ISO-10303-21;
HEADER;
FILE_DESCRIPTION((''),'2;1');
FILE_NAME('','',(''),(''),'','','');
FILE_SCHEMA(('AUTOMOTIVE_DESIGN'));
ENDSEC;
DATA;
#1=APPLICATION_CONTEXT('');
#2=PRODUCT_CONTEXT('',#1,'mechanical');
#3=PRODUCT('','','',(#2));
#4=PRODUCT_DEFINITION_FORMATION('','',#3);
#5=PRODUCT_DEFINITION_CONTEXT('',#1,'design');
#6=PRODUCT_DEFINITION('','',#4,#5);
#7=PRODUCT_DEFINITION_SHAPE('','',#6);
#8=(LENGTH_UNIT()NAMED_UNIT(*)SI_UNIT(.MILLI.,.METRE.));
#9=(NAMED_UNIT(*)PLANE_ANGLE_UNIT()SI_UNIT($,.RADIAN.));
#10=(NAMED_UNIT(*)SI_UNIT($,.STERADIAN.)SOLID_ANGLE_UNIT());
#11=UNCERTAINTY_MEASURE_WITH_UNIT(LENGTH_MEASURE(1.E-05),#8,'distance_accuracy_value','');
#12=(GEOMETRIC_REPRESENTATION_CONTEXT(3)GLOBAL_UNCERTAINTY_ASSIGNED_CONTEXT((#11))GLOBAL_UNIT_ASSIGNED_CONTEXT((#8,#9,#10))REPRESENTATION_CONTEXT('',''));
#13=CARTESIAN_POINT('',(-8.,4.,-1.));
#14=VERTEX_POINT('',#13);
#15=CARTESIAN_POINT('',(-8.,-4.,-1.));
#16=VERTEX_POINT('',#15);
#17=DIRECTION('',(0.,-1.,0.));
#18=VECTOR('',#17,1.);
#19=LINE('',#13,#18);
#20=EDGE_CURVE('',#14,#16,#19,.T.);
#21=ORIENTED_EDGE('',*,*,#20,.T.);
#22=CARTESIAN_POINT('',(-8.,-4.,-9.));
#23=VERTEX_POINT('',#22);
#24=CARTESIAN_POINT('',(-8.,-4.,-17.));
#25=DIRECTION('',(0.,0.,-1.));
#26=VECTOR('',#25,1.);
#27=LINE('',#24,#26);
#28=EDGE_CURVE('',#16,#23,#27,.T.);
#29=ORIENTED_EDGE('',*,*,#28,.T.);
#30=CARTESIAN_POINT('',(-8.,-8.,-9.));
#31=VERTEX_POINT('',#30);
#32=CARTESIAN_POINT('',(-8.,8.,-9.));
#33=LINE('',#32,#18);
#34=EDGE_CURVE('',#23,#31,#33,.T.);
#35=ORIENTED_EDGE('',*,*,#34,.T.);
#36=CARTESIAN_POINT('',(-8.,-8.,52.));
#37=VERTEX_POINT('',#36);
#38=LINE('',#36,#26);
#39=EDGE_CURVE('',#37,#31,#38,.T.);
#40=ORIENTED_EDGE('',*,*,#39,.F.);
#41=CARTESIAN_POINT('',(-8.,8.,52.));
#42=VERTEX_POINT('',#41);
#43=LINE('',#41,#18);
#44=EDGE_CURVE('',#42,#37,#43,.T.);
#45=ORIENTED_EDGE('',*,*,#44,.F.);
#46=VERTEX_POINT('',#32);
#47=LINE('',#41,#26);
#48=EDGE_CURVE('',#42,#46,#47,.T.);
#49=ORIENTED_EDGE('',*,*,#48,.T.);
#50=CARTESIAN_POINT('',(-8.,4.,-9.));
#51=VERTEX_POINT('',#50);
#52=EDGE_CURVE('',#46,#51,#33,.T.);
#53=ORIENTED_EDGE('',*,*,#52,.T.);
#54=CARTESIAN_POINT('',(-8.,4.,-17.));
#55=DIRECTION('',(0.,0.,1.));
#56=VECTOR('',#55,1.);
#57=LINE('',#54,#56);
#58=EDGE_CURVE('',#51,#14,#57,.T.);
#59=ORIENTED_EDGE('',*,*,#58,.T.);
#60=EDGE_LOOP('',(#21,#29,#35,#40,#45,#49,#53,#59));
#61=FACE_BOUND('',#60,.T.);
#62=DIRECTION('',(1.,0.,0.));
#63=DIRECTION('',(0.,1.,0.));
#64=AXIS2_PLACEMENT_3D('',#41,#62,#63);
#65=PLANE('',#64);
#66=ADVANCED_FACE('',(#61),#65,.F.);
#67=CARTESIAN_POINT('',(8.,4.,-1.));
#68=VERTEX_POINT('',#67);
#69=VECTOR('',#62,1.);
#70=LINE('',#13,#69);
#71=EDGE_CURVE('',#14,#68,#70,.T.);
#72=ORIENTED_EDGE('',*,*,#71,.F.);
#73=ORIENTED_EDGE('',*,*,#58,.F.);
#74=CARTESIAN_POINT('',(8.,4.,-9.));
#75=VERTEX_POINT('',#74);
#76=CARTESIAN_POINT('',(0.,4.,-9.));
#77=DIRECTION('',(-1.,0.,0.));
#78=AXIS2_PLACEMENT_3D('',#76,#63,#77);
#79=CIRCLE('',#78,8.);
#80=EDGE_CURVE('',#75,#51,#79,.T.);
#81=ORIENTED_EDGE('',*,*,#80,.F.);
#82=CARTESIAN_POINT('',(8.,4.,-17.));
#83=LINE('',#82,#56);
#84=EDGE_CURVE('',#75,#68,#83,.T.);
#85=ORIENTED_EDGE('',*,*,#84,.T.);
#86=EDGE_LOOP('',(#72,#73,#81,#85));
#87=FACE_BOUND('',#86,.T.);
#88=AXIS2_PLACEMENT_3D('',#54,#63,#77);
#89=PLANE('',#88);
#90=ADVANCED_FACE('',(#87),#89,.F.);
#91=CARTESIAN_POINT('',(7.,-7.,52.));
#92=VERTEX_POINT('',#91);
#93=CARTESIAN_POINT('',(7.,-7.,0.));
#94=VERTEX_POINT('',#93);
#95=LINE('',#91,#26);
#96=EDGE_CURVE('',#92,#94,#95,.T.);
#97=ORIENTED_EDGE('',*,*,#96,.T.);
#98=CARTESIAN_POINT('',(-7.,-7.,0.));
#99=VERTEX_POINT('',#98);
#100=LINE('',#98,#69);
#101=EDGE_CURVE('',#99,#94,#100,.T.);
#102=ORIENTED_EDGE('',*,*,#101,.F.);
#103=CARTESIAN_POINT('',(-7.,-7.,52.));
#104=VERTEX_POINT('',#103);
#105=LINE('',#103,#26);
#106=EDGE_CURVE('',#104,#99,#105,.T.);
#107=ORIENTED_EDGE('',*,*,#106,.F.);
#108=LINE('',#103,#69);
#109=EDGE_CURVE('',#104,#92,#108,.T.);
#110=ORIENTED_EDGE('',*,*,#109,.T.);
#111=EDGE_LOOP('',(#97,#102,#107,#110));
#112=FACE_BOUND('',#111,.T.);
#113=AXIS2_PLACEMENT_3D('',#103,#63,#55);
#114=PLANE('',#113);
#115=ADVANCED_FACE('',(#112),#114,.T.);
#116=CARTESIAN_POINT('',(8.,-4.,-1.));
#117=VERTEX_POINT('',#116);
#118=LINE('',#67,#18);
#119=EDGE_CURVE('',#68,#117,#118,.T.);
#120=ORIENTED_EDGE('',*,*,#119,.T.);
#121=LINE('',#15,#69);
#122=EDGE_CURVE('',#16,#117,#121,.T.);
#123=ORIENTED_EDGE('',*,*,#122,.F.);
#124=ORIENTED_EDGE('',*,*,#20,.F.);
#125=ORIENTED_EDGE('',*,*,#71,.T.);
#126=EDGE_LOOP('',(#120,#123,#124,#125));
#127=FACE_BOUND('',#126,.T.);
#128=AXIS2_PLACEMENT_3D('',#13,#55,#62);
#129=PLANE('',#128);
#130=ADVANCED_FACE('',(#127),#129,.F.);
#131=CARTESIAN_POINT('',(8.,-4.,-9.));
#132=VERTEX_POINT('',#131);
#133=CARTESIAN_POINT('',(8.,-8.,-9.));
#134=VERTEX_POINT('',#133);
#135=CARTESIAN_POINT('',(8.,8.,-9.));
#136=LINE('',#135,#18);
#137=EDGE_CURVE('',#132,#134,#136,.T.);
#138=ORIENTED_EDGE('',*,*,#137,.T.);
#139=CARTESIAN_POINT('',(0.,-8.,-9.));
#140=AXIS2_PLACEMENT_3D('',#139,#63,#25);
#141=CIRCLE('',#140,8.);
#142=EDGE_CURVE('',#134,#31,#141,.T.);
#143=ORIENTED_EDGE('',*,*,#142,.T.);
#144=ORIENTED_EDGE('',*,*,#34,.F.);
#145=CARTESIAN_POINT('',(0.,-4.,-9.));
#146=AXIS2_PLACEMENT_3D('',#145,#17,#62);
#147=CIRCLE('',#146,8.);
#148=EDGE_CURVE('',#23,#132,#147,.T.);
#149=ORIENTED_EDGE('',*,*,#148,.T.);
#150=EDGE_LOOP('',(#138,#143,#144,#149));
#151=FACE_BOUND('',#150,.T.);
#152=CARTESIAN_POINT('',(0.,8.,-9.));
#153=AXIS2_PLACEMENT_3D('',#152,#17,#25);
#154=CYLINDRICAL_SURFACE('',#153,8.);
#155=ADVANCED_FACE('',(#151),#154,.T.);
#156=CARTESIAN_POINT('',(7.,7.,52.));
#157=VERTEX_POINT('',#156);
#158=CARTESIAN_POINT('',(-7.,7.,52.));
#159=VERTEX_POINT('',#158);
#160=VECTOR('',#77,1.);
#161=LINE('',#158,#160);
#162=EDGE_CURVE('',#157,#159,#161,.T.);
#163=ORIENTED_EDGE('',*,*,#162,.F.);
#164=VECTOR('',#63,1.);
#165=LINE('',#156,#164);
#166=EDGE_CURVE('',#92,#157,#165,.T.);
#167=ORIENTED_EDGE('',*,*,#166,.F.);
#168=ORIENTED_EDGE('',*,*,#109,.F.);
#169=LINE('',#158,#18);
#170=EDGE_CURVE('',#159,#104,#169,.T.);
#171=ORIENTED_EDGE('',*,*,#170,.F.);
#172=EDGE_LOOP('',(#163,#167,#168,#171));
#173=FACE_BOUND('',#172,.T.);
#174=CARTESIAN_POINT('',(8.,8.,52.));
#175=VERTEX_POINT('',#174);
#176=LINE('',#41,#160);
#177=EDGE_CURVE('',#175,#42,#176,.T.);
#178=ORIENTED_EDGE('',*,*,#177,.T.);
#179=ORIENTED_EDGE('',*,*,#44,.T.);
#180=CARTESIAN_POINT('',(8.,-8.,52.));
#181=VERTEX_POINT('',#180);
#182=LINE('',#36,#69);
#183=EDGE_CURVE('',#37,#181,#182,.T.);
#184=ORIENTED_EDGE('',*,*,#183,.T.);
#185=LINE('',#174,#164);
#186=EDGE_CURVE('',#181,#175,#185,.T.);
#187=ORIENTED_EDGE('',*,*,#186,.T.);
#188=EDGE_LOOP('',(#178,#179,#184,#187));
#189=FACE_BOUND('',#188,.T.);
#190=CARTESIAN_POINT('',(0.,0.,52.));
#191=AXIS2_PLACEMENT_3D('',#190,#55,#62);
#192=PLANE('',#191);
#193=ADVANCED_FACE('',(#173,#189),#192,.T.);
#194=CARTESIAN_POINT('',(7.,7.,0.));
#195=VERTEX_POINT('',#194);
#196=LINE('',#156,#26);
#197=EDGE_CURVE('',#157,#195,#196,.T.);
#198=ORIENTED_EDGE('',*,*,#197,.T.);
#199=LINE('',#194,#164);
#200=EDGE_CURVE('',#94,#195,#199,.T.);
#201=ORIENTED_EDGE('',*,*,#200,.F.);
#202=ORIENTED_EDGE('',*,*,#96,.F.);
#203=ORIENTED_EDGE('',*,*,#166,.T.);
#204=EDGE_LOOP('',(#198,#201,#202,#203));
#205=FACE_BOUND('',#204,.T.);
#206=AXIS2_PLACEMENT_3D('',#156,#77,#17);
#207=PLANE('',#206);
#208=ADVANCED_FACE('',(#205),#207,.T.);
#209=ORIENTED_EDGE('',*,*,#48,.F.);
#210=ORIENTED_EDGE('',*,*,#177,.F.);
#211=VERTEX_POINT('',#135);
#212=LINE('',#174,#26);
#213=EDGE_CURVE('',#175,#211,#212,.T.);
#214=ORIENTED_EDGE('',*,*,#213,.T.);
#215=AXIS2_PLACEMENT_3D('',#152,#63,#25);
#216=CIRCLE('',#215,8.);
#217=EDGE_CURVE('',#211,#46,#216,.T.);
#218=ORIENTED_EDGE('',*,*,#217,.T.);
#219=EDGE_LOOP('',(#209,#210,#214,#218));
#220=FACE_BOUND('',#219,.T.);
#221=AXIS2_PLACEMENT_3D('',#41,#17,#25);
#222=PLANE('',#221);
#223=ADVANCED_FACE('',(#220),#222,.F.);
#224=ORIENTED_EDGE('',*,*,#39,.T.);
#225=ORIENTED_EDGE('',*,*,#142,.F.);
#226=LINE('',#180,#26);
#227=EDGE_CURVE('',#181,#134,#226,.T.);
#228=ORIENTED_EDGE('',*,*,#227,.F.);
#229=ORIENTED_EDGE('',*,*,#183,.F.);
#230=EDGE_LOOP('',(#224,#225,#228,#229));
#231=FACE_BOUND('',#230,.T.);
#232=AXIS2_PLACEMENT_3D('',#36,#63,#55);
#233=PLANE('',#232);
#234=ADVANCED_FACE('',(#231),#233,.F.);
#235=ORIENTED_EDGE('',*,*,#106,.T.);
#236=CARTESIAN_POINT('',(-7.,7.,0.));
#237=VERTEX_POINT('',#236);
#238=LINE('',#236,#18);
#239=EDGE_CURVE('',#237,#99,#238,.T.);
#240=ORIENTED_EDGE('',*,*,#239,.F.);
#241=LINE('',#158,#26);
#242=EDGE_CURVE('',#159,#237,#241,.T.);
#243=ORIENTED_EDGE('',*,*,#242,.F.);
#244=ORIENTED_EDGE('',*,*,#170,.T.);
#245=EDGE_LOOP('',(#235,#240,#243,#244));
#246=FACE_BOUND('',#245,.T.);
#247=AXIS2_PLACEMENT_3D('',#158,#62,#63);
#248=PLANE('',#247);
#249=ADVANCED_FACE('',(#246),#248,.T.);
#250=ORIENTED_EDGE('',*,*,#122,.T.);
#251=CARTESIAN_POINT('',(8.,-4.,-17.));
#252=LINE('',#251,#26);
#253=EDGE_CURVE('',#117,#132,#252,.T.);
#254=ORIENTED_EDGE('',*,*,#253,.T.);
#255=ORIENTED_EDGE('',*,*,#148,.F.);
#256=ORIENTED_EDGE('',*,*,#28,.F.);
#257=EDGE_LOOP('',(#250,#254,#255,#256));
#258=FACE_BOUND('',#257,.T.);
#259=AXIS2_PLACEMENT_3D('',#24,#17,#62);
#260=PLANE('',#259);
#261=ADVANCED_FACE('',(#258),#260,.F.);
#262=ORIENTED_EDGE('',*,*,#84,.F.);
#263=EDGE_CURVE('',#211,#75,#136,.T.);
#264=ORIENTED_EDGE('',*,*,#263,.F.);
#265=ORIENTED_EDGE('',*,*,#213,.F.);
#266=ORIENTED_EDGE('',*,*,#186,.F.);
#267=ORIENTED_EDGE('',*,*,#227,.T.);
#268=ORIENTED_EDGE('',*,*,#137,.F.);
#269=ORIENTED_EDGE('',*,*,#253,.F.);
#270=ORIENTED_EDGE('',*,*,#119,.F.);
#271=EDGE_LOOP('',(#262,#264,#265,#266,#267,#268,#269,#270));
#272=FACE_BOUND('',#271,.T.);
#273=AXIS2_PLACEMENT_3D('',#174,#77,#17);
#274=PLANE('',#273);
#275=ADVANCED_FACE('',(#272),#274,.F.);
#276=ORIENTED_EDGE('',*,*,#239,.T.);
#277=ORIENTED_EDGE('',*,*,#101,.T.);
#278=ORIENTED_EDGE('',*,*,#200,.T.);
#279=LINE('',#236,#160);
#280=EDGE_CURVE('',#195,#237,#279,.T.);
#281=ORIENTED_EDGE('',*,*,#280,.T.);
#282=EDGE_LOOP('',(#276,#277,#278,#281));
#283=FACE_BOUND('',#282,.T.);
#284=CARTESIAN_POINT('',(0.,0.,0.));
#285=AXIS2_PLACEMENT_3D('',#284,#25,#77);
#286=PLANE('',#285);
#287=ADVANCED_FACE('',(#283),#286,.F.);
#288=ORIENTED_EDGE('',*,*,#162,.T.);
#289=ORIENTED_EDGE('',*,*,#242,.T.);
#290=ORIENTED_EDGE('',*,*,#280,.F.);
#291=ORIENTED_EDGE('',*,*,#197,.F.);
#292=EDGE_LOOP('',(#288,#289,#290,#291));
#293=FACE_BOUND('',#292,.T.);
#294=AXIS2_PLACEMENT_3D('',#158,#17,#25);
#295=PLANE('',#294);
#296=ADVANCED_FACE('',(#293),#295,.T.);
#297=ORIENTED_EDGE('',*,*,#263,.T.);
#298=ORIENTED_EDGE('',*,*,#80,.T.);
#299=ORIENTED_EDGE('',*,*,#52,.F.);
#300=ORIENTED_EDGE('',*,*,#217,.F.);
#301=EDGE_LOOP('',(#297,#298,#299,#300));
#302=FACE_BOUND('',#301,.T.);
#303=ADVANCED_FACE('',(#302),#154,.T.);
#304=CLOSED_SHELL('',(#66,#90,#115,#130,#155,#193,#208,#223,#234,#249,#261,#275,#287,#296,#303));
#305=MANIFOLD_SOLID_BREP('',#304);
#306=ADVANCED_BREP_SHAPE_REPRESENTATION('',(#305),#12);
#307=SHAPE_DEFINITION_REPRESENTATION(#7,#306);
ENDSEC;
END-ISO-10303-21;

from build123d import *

# Parameters (mm, degrees)
SKETCH_1_W          = 16
SKETCH_1_H          = 16
SKETCH_1_W_2        = 14
SKETCH_1_H_2        = 14
EXTRUDE_1_DEPTH     = 52
SKETCH_2_W          = 16
SKETCH_2_H          = 16
EXTRUDE_2_DEPTH     = 1
SKETCH_3_W          = 16
SKETCH_3_H          = 16
EXTRUDE_3_DEPTH     = 16
CUT_EXTRUDE_1_DEPTH = 16
SKETCH_5_W          = 16
SKETCH_5_H          = 8
CUT_EXTRUDE_2_DEPTH = 17


with BuildPart() as part:
    # 草图1 → 凸台-拉伸1 (new body)
    with BuildSketch(Plane.XY):
        Rectangle(SKETCH_1_W, SKETCH_1_H)
        Rectangle(SKETCH_1_W_2, SKETCH_1_H_2, mode=Mode.SUBTRACT)
    extrude(amount=EXTRUDE_1_DEPTH)

    # 草图2 → 凸台-拉伸2 (add)
    with BuildSketch(Plane(origin=(0, 0, 0), x_dir=(-1, 0, 0), z_dir=(0, 0, -1))):
        Rectangle(SKETCH_2_W, SKETCH_2_H)
    extrude(amount=EXTRUDE_2_DEPTH)

    # 草图3 → 凸台-拉伸3 (add)
    with BuildSketch(Plane(origin=(0, 0, -1), x_dir=(-1, 0, 0), z_dir=(0, 0, -1))):
        Rectangle(SKETCH_3_W, SKETCH_3_H)
    extrude(amount=EXTRUDE_3_DEPTH)

    # 草图4 → 切除-拉伸1 (cut)
    with BuildSketch(Plane.XZ.offset(8)):
        with BuildLine():
            Line((-8, -9), (-8, -21.563953952))
            Line((-8, -21.563953952), (8, -21.563953952))
            Line((8, -21.563953952), (8, -9))
            ThreePointArc((8, -9), (0, -17), (-8, -9))
        make_face()
    extrude(amount=-CUT_EXTRUDE_1_DEPTH, mode=Mode.SUBTRACT)

    # 草图5 → 切除-拉伸2 (cut, through all)
    with BuildSketch(Plane(origin=(8, 0, 0), x_dir=(0, 0, -1), z_dir=(1, 0, 0))):
        with Locations((9, 0)):
            Rectangle(SKETCH_5_W, SKETCH_5_H)
    extrude(amount=-CUT_EXTRUDE_2_DEPTH, mode=Mode.SUBTRACT)


solid = part.part
